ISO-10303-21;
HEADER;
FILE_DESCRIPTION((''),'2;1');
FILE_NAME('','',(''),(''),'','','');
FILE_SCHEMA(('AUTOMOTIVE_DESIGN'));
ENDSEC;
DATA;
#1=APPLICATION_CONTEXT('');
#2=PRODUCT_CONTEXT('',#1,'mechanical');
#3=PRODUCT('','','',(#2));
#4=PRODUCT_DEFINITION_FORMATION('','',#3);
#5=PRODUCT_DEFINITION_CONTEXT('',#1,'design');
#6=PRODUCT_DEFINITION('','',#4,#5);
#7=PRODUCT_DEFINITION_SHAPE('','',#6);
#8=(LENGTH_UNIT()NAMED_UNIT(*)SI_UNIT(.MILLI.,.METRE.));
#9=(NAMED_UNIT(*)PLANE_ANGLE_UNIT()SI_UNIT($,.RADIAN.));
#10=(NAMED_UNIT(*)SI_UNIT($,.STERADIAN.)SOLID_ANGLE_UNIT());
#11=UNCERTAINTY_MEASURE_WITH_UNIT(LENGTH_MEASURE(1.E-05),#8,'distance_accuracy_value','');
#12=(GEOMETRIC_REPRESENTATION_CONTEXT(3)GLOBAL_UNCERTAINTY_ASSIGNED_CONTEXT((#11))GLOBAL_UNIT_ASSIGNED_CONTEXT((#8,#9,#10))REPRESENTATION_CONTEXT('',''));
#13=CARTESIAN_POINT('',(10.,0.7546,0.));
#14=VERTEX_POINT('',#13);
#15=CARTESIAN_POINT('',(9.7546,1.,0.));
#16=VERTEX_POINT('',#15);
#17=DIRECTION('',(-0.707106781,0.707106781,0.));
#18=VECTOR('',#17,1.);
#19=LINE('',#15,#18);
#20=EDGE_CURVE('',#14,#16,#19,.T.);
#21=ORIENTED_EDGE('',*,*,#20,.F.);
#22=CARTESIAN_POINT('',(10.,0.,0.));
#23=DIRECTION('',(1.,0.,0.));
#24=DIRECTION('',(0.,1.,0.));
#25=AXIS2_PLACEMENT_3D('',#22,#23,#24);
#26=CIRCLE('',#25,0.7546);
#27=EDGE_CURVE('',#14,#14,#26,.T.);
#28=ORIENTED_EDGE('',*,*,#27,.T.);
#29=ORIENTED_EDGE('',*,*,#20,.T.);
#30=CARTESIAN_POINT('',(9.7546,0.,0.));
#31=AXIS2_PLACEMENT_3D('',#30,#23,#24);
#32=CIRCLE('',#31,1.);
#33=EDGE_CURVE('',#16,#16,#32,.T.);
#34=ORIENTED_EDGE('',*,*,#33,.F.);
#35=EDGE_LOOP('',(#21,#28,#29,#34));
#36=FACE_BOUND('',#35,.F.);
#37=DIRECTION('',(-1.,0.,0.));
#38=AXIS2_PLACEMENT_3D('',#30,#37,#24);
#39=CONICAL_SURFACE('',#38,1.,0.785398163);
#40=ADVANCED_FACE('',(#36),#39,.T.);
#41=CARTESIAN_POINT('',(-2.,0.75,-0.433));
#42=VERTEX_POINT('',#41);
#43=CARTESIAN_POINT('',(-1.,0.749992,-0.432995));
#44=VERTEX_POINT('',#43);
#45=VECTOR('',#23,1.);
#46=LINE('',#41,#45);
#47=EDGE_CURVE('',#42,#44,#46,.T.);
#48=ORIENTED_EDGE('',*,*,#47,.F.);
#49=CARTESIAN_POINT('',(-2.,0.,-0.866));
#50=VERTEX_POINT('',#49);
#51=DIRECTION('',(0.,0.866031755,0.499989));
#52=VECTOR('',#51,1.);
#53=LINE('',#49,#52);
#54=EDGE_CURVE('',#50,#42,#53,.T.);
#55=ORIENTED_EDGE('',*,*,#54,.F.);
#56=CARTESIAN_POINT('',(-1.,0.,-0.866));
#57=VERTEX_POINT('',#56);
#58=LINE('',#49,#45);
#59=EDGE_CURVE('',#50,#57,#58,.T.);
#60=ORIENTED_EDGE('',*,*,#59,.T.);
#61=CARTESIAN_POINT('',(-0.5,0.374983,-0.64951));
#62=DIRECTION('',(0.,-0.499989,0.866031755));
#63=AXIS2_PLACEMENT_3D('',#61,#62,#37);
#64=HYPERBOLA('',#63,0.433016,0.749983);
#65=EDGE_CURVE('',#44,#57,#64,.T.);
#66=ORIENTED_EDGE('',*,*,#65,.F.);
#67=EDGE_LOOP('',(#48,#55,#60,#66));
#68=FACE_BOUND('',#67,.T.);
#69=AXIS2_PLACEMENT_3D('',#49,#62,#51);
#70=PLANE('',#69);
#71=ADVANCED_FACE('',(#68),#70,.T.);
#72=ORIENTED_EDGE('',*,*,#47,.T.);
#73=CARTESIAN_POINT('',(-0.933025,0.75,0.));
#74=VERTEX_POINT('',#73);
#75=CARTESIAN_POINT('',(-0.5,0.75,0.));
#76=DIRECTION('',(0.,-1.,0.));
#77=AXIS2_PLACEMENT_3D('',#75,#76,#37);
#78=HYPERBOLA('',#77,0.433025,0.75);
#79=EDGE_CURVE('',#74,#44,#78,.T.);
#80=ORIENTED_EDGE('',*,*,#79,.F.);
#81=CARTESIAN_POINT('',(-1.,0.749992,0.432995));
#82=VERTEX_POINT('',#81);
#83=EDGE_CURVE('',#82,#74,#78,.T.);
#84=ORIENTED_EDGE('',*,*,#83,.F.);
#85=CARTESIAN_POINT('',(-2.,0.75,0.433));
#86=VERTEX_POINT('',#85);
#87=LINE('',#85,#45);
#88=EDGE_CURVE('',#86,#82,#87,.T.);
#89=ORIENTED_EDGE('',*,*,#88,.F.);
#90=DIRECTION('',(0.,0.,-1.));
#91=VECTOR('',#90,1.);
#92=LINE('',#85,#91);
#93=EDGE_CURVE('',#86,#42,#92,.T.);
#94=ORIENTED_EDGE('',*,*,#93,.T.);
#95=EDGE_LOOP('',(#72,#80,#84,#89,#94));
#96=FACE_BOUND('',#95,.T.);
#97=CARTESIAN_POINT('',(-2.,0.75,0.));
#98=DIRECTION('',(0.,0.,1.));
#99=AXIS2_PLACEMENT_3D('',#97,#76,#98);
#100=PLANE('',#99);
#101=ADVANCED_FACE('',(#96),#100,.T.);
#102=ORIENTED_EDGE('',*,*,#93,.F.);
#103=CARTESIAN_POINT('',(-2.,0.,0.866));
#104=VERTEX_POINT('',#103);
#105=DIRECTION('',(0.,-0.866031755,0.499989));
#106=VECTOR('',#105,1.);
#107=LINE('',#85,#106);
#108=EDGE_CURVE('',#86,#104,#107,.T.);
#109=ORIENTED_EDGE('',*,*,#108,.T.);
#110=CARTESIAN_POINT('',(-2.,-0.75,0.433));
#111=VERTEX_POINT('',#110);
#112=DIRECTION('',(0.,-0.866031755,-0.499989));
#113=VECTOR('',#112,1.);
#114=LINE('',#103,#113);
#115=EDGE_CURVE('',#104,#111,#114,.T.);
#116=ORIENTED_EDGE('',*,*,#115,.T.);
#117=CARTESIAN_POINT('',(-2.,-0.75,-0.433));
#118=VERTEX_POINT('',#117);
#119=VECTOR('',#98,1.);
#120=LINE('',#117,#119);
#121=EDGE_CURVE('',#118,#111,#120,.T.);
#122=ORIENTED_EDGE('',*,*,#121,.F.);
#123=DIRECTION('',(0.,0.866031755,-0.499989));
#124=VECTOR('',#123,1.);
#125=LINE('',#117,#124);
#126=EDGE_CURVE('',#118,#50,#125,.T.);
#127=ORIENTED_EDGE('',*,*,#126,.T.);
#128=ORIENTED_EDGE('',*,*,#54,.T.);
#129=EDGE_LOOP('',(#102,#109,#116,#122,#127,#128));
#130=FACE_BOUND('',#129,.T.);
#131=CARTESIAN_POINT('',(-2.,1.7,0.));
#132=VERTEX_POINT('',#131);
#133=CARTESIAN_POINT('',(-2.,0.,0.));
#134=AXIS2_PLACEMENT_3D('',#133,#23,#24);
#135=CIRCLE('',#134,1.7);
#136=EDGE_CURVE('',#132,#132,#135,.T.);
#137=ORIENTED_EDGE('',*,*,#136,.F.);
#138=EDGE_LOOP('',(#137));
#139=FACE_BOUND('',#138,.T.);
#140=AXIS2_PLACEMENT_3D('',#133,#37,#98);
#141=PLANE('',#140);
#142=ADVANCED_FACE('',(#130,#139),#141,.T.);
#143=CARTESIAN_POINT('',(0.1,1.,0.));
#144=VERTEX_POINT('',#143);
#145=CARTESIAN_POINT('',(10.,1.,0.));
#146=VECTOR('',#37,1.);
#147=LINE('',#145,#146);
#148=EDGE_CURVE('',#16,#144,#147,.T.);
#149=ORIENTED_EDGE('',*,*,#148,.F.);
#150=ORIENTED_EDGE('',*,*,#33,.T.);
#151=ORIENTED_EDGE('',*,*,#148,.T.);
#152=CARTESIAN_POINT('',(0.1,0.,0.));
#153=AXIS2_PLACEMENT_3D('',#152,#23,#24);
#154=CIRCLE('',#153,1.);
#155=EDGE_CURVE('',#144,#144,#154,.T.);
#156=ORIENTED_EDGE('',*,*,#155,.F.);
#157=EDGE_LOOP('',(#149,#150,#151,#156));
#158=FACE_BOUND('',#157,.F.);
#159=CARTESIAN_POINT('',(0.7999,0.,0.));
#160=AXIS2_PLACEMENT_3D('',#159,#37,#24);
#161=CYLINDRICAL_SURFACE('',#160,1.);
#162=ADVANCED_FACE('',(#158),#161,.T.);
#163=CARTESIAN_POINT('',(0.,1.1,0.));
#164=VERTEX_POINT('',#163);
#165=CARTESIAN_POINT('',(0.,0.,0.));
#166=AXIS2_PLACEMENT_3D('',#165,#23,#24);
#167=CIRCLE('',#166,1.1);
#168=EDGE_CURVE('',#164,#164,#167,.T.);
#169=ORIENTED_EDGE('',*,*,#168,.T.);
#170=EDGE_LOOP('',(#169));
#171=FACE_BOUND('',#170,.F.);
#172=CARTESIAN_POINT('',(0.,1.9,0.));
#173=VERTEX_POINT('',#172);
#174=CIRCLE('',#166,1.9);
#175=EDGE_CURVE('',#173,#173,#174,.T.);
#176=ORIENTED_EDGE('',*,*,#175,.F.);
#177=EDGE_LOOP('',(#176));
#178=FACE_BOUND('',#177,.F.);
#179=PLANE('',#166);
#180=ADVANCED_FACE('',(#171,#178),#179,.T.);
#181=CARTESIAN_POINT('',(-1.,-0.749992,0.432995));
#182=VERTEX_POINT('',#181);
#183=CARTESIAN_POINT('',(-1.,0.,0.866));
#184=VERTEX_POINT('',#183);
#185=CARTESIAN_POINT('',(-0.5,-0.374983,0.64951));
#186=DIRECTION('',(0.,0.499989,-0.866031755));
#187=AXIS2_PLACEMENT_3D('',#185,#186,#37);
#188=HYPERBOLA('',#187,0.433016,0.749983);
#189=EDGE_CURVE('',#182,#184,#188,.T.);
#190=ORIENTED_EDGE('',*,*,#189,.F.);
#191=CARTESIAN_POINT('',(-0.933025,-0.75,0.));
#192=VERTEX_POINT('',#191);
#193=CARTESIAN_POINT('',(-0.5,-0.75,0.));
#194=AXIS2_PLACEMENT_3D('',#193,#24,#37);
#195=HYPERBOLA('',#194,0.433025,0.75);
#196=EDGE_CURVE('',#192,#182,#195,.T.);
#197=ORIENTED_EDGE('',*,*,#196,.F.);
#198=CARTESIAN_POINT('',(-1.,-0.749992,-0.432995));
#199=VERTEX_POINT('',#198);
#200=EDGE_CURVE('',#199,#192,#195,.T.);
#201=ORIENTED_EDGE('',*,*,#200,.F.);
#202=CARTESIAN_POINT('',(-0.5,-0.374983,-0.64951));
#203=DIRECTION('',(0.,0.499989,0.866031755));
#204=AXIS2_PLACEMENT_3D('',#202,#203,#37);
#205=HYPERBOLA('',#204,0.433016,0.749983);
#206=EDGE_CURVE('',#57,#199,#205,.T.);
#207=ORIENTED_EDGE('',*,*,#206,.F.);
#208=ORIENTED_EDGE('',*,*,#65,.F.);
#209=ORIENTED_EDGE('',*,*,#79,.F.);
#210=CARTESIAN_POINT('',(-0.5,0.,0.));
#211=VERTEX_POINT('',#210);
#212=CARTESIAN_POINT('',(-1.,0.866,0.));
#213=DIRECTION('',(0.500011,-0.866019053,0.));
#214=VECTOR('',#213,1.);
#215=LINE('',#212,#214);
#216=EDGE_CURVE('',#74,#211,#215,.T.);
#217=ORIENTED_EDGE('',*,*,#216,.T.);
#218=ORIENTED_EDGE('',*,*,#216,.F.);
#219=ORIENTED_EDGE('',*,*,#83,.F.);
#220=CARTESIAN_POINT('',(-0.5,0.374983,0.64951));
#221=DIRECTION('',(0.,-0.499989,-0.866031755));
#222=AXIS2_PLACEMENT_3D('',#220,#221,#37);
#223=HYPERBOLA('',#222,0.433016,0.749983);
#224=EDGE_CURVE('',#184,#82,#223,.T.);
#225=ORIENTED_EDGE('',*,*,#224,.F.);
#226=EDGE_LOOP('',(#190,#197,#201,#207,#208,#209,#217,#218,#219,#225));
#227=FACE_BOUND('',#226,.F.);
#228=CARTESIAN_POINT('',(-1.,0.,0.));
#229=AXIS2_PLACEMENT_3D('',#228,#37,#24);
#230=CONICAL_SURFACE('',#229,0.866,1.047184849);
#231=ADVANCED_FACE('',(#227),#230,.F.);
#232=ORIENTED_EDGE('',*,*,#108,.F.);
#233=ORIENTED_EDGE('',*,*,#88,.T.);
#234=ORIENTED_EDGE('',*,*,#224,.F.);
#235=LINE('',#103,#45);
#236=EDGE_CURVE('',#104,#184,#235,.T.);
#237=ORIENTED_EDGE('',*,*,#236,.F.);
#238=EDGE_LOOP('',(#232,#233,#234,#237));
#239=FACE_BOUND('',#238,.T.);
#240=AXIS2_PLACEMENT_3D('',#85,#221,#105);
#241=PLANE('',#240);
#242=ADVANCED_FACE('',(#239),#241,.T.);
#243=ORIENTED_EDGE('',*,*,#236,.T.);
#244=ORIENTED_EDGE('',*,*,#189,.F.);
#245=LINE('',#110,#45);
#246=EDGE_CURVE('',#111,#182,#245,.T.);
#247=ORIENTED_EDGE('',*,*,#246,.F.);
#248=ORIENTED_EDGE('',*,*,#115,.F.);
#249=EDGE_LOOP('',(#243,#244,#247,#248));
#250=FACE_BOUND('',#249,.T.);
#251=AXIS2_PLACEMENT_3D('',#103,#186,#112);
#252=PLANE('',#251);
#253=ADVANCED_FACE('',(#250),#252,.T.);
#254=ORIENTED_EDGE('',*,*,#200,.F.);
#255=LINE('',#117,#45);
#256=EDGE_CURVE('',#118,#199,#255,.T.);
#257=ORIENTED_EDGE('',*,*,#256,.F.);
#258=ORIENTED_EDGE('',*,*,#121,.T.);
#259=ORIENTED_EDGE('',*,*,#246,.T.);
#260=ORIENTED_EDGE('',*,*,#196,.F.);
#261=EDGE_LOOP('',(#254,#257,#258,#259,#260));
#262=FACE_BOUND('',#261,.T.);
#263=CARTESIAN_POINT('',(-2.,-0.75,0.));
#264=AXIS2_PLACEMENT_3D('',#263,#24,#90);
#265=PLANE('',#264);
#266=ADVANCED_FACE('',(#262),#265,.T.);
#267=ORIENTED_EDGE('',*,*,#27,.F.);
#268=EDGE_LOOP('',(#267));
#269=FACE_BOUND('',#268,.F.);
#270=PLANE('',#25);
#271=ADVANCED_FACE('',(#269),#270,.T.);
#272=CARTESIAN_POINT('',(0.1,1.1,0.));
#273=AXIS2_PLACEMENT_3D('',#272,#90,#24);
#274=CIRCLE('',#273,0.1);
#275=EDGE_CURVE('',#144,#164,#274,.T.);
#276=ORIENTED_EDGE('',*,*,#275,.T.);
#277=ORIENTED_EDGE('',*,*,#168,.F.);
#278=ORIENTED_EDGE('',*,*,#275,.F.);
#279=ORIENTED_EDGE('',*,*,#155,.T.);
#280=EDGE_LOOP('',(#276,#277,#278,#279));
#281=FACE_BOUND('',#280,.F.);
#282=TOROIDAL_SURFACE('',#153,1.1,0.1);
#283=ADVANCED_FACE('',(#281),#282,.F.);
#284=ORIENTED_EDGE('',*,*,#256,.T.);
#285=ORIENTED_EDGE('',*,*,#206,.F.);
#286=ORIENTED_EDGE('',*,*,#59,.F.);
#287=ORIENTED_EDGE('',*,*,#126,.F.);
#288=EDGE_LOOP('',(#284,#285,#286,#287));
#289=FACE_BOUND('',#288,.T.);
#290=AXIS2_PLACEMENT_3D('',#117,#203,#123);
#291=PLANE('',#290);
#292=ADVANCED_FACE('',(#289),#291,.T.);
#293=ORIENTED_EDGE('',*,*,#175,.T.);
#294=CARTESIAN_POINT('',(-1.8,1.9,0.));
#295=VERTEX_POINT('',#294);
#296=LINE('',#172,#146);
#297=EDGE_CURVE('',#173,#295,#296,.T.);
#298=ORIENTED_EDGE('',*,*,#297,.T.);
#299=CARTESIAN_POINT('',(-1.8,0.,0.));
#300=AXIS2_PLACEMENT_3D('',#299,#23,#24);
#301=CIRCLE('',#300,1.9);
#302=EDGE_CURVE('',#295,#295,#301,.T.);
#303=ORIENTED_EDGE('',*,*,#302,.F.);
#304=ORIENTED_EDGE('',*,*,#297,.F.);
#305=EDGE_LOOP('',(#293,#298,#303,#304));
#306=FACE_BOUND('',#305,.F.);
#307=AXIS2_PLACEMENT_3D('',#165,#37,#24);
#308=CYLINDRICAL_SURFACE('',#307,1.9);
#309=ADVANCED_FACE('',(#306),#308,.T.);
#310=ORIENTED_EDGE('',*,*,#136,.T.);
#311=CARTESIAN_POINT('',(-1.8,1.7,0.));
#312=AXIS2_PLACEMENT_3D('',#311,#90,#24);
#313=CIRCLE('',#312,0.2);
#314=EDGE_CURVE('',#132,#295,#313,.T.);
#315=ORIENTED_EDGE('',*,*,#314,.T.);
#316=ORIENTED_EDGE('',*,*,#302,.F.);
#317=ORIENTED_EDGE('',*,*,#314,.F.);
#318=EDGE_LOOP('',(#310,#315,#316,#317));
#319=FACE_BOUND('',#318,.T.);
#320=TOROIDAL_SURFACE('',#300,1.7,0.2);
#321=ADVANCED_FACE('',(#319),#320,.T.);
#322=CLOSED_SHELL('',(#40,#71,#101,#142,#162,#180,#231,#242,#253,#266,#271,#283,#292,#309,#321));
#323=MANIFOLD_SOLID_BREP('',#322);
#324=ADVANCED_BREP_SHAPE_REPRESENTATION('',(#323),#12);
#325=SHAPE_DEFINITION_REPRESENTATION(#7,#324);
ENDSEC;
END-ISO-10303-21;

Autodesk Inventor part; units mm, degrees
ref_plane "YZ Plane" through (0, 0, 0) normal (1, 0, 0) x (0, 1, 0)
ref_plane "XZ Plane" through (0, 0, 0) normal (0, 1, 0) x (-1, 0, 0)
sketch "Sketch1" plane through (0, 0, 0) normal (0, 0, 1) x (1, 0, 0)
  line L0 (-0.5, 0) -> (10, 0)
  line L1 (10, 0) -> (10, 1)
  line L2 (10, 1) -> (1.0454, 1)
  line L3 (1.0454, 1) -> (0.7999, 1)
  line L4 (0.7999, 1) -> (0, 1)
  line L5 (0, 1) -> (0, 1.9)
  line L6 (0, 1.9) -> (-2, 1.9)
  line L7 (-2, 1.9) -> (-2, 0.866)
  line L8 (-2, 0.866) -> (-1, 0.866)
  line L9 (-1, 0.866) -> (-0.5, 0)
  line L10 (-4.4, 0) -> (12.4, 0) projected
  line L11 (0, -0.38) -> (0, 2.28) projected
  line L12 (1.0454, 1) -> (0, 1) construction
  dimension "d1" = 8.9546
  dimension "d2" = 0.2455
  dimension "d3" = 2
  dimension "d4" = 1
  dimension "d5" = 60
  dimension "d6" = 2
  dimension "d7" = 2
  dimension "d8" = 1.7321
  dimension "d9" = 3.8
  dimension "d26" = 10
revolve "Body" add sketch "Sketch1" angle 360 about axis through (-0.5, 0, 0) along (1, 0, 0)
sketch "Sketch2" plane through (-2, 0, 0) normal (-1, 0, 0) x (0, 0, 1)
  circle A0 centre (0, 0) radius 0.866 projected
  line L0 (0, -2.66) -> (0, 2.66) projected
  line L1 (-2.66, 0) -> (2.66, 0) projected
  line L2 (0.866, 0) -> (0.433, -0.75)
  line L3 (0.433, -0.75) -> (-0.433, -0.75)
  line L4 (-0.433, -0.75) -> (-0.866, 0)
  line L5 (-0.866, 0) -> (-0.433, 0.75)
  line L6 (-0.433, 0.75) -> (0.433, 0.75)
  line L7 (0.433, 0.75) -> (0.866, 0)
extrude "Slot" add sketch "Sketch2" against normal up to next contours L7 A0 | A0 L2 | L6 L0 A0 | A0 L0 L3 | L0 L6 A0 | A0 L3 L0 | L4 A0 | A0 L5
fillet "Fillet1" radius 0.2 1 edges at (-2, -1.9, 0)
thread "Thread" size "M2x0.4" class "6g" standard "ISO Metric profile" length 8.9546
chamfer "Chamfer1" distance 0.2454 distance2 0.2454 1 edges at (10, -1, 0) measured on face at (10, -0.5392, -0.3309)
ref_plane "Work Plane1" through (29, 0, 0) normal (0, -1, 0) x (1, 0, 0)
fillet "Fillet2" radius 0.1 1 edges at (0, -1, 0)
equation "\"d30\" = R"
equation "\"d17\" = RR"
equation "\"d13\" = GEL"
equation "\"d15\" = -0.5 * SPD + 0.5 * GD"
equation "\"d16\" = GUL"
equation "\"d1\" = GEL"
equation "\"d3\" = KOH"
equation "\"d4\" = INTI"
equation "\"d6\" = GD"
equation "\"d7\" = BDM"
equation "\"d8\" = 1.1547 * SW"
equation "\"d9\" = KOD"
equation "\"d26\" = NLG"
equation "\"GD\" = NND"
equation "\"NLG\" = 10"
equation "\"GEL\" = 8.95462"
equation "\"KOD\" = 3.8"
equation "\"KOH\" = 2"
equation "\"INTI\" = 1"
equation "\"GAL\" = 0.61345 * PTC"
equation "\"GUL\" = 0.61345 * PTC"
equation "\"BDM\" = NND"
equation "\"SW\" = 1.5"
equation "\"RR\" = 0.2"
equation "\"SPD\" = 1.50924"
equation "\"R\" = 0.1"
equation "\"TOA\" = 30deg"
equation "\"THREADDIA\" = 2"
equation "\"PTC\" = 0.4"
equation "\"NND\" = 2"
equation "\"E0\" = 1.155 * SW"
equation "\"GD1\" = THREADDIA - 1.2269 * PTC"
properties part number "ANSI B18.3.1M - M2x0.4 x 10" material "Steel, Mild"
